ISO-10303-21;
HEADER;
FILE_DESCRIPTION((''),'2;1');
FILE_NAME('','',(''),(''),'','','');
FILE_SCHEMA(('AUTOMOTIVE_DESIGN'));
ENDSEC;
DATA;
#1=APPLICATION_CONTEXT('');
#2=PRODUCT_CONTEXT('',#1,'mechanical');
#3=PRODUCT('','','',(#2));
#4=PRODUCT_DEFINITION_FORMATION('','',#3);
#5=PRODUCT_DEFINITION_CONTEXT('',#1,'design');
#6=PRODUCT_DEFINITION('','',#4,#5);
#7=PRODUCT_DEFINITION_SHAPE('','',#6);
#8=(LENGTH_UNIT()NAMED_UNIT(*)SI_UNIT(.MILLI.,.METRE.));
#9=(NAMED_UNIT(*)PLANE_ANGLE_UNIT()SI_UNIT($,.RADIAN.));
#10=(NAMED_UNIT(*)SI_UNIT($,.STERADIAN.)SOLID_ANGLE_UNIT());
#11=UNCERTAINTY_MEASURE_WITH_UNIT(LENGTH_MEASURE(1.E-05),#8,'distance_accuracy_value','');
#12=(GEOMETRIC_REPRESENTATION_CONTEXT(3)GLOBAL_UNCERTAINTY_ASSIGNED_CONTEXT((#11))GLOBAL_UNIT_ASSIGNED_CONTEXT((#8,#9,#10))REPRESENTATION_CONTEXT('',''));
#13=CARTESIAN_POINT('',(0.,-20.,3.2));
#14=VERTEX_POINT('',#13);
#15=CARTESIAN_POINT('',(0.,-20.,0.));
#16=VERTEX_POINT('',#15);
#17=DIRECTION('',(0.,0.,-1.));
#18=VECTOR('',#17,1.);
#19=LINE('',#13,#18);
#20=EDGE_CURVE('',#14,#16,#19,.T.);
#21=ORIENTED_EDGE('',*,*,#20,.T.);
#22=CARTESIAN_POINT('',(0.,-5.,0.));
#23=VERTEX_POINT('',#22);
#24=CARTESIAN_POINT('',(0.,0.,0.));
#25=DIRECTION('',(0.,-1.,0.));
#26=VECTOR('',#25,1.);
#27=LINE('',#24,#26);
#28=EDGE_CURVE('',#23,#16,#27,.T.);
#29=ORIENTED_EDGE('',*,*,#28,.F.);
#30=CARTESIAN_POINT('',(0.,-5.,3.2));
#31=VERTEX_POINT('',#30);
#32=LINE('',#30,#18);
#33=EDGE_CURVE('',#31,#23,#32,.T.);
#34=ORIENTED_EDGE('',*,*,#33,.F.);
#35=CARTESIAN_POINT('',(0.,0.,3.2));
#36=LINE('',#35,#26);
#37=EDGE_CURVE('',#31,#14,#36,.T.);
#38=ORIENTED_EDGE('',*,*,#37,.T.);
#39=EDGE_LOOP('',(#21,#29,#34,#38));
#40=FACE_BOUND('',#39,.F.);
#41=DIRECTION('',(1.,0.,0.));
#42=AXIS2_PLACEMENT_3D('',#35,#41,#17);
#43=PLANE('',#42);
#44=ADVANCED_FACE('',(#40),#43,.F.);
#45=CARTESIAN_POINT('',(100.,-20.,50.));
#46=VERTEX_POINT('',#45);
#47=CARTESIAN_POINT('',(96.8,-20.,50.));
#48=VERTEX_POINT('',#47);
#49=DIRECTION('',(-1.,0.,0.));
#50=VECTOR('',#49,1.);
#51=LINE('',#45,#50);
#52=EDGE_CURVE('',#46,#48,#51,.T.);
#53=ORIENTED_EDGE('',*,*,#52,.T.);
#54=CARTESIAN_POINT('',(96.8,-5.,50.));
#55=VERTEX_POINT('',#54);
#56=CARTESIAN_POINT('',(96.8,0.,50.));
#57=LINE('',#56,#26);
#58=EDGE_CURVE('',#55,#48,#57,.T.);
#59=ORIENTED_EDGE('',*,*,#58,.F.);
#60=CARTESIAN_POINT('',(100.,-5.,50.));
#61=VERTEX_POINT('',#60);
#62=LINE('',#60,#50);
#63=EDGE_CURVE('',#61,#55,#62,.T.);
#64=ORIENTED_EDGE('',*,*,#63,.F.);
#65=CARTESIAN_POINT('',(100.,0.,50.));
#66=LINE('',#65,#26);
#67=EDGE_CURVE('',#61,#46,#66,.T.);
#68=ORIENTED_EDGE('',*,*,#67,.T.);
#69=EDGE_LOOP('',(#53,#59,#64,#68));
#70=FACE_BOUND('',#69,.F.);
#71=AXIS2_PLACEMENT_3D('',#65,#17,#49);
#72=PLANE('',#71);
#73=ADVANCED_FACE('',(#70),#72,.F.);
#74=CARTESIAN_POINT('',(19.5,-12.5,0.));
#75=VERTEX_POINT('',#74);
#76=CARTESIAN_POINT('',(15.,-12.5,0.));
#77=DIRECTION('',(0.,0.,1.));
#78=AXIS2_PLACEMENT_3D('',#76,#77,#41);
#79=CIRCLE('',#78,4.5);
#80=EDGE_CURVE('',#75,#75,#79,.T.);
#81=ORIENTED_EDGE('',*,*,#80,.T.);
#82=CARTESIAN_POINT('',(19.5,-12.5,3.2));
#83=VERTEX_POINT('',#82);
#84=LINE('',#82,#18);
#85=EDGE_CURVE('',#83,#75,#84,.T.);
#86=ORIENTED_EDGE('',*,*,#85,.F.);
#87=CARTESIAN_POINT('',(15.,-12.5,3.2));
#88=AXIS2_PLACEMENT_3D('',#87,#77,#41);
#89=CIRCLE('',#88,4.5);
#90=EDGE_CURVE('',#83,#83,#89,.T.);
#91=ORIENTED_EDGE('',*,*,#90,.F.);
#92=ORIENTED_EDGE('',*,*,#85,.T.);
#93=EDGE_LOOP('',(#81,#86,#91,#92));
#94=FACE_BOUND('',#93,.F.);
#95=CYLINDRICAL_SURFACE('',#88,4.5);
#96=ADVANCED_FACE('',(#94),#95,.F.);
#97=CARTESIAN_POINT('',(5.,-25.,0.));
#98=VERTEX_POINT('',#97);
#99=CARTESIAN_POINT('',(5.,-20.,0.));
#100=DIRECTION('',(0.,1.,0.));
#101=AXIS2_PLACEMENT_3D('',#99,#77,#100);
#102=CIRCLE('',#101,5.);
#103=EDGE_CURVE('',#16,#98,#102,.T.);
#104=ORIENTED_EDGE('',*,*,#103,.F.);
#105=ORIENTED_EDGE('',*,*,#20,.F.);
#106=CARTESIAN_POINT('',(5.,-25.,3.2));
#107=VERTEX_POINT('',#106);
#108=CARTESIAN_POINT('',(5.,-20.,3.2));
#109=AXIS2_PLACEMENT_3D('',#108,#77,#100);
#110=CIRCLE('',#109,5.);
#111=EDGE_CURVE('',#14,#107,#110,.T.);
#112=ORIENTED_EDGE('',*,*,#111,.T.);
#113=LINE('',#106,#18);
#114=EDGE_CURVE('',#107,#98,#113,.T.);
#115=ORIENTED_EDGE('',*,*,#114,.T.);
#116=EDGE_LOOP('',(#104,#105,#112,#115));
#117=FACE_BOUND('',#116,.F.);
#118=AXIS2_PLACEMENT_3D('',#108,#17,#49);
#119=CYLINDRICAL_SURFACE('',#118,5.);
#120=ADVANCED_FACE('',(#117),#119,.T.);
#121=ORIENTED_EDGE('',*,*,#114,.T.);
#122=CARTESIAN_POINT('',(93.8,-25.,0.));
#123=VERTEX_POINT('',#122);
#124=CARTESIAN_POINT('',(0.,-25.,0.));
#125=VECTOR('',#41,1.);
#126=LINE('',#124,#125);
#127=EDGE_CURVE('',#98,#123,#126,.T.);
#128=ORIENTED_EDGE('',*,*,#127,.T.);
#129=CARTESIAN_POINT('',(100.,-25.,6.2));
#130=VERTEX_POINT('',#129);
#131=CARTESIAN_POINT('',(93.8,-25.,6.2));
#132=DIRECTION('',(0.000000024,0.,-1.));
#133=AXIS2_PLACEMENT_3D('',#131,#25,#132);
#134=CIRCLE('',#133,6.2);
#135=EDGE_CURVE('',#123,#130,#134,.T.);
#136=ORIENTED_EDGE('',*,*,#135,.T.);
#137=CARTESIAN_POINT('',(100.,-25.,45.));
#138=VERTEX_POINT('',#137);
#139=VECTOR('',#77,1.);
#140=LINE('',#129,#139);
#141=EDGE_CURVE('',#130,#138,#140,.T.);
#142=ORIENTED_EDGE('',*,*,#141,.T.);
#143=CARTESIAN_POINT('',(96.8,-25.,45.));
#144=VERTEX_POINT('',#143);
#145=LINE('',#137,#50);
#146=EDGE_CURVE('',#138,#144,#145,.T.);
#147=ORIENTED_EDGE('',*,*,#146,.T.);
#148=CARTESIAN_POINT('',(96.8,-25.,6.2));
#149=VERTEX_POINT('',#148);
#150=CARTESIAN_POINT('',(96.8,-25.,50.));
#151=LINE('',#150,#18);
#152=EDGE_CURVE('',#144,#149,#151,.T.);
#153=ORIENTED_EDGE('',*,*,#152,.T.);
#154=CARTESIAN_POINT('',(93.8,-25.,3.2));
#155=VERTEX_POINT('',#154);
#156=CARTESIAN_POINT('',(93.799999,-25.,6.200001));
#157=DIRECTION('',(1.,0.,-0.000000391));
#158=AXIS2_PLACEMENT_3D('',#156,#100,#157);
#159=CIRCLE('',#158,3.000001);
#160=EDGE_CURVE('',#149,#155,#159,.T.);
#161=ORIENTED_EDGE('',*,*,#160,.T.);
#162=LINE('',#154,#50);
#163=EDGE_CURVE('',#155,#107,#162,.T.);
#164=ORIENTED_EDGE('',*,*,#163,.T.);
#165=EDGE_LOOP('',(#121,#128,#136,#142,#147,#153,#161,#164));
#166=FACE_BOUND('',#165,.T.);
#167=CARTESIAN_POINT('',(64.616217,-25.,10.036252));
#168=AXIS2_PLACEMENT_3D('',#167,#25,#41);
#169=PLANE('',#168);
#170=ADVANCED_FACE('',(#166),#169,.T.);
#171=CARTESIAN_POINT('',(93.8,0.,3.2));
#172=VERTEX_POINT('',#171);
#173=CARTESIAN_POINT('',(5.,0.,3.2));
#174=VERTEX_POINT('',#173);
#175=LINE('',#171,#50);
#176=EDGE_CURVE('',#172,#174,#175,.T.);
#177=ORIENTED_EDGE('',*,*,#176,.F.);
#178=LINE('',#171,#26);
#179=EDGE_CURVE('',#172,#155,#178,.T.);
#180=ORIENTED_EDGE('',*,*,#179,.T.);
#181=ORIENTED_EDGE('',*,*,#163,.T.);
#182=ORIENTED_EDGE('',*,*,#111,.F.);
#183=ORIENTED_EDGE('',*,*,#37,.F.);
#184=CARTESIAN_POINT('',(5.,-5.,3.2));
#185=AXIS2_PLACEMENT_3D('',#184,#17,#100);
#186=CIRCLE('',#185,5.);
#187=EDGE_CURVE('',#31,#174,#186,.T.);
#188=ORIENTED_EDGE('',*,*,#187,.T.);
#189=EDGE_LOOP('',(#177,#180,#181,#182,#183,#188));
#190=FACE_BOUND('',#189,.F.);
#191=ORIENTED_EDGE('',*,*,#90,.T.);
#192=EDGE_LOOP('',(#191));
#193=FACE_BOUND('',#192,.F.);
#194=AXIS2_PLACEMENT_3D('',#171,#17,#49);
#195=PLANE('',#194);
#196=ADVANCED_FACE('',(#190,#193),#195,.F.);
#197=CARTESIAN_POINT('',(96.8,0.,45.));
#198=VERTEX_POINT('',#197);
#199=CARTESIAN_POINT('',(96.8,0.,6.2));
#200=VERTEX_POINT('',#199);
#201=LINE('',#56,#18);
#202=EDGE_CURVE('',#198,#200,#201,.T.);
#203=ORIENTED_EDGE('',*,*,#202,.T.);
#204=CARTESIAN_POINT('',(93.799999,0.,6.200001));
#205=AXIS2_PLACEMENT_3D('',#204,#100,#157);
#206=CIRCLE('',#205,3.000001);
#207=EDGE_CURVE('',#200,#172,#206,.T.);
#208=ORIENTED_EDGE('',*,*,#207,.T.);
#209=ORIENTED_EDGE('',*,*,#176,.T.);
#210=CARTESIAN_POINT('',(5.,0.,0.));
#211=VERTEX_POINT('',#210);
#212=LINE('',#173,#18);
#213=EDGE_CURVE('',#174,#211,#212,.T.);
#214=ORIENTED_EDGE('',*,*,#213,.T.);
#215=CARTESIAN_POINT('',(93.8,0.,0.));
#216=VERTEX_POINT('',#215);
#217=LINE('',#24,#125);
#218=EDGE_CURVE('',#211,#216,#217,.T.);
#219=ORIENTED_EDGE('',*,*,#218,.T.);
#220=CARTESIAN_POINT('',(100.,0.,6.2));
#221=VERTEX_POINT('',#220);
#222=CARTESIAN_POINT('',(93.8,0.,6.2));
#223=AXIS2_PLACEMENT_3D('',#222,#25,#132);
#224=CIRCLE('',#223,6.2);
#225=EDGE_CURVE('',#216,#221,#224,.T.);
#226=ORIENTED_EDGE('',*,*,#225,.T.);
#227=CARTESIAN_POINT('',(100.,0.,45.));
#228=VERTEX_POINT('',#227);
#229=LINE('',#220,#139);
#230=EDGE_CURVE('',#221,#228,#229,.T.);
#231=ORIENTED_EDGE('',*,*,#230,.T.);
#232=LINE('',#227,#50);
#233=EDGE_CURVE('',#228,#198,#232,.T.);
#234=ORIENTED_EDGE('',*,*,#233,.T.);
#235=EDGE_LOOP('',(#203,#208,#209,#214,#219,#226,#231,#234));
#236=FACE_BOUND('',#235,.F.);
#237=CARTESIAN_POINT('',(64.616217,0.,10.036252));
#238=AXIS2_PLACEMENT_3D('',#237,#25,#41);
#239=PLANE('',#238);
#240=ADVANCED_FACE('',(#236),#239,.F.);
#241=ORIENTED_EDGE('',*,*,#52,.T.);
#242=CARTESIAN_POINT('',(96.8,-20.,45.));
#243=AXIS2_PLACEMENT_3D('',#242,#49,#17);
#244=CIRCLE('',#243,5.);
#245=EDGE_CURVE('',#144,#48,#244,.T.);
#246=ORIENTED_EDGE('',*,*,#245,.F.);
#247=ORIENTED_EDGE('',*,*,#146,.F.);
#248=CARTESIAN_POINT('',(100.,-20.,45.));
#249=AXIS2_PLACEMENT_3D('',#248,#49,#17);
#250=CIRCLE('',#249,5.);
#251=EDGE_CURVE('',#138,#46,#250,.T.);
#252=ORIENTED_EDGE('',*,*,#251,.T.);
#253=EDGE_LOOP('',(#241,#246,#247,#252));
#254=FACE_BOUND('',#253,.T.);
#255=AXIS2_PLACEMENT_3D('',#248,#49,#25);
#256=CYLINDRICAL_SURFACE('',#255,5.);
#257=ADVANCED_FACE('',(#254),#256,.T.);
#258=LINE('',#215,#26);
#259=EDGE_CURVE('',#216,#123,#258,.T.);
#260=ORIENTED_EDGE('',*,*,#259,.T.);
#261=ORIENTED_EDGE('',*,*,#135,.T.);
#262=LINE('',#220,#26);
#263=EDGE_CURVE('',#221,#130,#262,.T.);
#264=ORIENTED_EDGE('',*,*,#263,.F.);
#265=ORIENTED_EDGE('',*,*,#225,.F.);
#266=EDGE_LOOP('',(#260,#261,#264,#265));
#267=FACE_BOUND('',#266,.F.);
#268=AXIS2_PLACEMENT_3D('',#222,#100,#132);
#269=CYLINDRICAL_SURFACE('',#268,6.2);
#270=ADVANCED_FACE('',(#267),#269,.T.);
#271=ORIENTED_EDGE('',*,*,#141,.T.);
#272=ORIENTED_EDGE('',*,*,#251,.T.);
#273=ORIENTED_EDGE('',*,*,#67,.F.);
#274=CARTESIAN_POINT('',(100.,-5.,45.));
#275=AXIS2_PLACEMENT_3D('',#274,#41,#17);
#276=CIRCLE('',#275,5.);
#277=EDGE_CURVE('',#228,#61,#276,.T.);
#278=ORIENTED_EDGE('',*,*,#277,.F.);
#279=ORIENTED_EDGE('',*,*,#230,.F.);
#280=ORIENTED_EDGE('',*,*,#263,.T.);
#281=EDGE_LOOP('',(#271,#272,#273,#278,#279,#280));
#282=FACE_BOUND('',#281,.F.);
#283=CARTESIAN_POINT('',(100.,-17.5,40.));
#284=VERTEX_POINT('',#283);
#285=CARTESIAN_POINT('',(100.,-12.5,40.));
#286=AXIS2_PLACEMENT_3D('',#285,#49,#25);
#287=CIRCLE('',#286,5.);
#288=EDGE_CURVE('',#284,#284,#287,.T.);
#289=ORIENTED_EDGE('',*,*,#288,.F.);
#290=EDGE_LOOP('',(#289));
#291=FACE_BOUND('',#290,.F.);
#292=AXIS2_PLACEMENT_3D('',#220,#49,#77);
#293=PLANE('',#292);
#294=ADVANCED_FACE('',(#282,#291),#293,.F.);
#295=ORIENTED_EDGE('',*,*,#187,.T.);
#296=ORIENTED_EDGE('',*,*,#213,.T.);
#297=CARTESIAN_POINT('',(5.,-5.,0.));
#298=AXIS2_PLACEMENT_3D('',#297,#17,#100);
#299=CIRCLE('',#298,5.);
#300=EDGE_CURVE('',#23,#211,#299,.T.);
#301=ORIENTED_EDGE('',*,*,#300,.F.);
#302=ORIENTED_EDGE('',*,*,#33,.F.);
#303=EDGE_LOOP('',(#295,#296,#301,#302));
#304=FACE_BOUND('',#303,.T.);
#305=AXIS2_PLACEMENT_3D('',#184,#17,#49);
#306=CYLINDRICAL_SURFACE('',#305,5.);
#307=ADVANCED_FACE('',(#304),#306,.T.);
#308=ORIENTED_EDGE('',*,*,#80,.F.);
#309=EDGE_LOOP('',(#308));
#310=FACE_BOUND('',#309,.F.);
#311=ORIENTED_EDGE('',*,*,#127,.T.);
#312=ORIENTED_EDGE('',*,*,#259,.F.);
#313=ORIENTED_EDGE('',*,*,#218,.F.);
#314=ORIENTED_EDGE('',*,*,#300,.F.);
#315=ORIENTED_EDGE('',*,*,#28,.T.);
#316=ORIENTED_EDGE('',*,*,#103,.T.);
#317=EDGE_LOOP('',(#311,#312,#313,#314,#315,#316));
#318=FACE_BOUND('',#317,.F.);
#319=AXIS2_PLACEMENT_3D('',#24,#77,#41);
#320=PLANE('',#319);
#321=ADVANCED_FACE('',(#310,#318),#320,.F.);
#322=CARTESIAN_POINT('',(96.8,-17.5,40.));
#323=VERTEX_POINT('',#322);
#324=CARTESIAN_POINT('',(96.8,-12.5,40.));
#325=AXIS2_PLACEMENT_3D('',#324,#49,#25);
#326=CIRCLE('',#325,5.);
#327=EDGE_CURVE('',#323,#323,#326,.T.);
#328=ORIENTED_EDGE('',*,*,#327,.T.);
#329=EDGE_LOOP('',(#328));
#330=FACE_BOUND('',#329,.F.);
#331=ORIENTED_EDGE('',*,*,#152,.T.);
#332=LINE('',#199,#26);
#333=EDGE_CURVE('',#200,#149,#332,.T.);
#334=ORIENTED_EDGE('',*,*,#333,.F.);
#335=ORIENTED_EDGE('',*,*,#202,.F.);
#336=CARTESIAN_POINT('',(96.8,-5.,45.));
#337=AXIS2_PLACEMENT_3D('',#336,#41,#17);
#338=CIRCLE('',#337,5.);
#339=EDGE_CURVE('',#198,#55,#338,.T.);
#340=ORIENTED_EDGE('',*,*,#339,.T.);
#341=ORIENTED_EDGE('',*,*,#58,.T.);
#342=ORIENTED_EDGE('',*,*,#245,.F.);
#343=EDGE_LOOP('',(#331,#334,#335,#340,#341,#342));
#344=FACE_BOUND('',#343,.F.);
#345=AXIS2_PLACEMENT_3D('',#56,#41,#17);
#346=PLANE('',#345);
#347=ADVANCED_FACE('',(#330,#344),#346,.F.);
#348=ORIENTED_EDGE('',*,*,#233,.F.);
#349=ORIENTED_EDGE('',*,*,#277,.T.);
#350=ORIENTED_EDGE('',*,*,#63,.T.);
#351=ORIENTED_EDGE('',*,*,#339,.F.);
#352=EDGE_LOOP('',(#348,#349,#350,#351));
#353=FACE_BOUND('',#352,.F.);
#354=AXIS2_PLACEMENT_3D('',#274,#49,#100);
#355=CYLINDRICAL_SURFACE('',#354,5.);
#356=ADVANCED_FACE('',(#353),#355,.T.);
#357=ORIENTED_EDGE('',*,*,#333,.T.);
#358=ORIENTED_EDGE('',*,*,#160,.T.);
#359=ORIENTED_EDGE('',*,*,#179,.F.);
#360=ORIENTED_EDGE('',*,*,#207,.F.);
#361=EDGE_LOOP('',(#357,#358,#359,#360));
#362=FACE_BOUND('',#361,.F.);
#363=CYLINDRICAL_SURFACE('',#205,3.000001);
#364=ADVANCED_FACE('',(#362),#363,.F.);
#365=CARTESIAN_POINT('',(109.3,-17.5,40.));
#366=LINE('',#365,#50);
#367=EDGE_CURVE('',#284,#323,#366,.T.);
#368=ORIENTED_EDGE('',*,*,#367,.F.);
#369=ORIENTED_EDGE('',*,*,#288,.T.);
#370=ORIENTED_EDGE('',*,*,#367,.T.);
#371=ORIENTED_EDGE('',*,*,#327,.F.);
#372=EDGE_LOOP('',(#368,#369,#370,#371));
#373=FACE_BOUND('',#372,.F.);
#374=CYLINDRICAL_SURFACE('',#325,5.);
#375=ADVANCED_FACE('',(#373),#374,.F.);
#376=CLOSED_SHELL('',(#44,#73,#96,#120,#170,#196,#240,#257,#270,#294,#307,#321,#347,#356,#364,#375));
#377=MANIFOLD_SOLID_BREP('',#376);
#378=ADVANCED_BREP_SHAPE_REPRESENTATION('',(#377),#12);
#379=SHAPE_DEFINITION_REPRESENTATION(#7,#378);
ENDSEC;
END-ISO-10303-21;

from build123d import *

# Parameters (mm, degrees)
F1_DEPTH = 25
F2_R     = 5
F3_DEPTH = 12.5
F4_R     = 4.5
F5_DEPTH = 3.201
F6_R     = 5


with BuildPart() as f1:
    # F0 (on Front) → F1 (new body)
    with BuildSketch(Plane.XZ):
        with BuildLine():
            Line((0, 3.2), (0, 0))
            Line((0, 0), (93.8, 0))
            ThreePointArc((93.8, 0), (98.184062, 1.815938), (100, 6.2))
            Line((100, 6.2), (100, 50))
            Line((100, 50), (96.8, 50))
            Line((96.8, 50), (96.8, 6.2))
            ThreePointArc((96.8, 6.2), (95.92132, 4.07868), (93.8, 3.2))
            Line((93.8, 3.2), (0, 3.2))
        make_face()
    extrude(amount=F1_DEPTH)

    # F2 (on face) → F3 (cut, symmetric)
    with BuildSketch(Plane(origin=(96.8, 0, 0), x_dir=(0, -1, 0), z_dir=(-1, 0, 0))):
        with Locations((12.5, 40)):
            Circle(F2_R)
    extrude(amount=F3_DEPTH, both=True, mode=Mode.SUBTRACT)

    # F4 (on face) → F5 (cut, through all)
    with BuildSketch(Plane.XY.offset(3.2)):
        with Locations((15, -12.5)):
            Circle(F4_R)
    extrude(amount=-F5_DEPTH, mode=Mode.SUBTRACT)

    # F6
    f6_edges = [f1.edges().sort_by_distance(p)[0] for p in [
        (0, -25, 1.6),
        (0, 0, 1.6),
        (98.4, 0, 50),
        (98.4, -25, 50),
    ]]
    fillet(f6_edges, radius=F6_R)


solid = f1.part
